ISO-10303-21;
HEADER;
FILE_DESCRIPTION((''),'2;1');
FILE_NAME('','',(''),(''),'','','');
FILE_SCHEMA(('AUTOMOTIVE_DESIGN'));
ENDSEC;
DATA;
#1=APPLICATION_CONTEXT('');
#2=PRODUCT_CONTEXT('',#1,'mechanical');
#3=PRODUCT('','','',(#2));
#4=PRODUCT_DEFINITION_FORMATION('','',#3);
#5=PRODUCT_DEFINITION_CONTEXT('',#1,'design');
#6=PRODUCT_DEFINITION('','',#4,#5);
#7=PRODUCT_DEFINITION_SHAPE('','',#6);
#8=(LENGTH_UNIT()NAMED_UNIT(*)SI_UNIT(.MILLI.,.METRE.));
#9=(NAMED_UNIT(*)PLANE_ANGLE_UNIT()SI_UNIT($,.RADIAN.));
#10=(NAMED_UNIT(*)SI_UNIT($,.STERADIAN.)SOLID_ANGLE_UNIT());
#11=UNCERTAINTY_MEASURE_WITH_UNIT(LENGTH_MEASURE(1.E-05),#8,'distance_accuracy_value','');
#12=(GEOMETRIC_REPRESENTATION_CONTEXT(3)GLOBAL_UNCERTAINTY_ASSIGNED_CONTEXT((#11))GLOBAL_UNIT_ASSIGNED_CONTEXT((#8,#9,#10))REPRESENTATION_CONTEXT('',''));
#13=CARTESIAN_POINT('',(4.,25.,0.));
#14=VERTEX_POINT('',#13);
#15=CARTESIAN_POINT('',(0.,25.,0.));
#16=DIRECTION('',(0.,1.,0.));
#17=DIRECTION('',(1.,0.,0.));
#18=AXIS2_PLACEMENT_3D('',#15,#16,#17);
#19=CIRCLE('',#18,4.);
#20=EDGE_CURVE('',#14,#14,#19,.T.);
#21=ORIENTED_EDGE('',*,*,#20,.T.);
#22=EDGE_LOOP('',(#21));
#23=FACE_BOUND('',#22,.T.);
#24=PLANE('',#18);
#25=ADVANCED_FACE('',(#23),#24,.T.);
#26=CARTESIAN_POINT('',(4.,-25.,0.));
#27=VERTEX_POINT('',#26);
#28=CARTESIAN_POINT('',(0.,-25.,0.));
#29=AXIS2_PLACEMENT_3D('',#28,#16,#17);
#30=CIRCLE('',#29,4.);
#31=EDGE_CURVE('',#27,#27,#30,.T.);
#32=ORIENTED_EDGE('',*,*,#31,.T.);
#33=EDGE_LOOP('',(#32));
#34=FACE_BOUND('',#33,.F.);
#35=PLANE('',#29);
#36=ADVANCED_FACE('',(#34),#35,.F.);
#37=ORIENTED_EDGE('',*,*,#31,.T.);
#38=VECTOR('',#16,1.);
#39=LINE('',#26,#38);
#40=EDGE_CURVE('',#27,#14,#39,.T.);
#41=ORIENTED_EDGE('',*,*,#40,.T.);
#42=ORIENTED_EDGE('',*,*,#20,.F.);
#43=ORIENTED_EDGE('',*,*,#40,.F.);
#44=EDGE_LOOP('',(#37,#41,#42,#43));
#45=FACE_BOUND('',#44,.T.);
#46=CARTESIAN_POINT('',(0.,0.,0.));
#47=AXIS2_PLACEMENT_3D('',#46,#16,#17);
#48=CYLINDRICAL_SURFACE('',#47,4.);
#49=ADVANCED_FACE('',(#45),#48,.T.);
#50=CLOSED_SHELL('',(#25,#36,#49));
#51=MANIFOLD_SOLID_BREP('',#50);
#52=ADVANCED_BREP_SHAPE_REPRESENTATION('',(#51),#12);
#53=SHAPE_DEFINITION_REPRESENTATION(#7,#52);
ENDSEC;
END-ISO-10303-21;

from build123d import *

# Parameters (mm, degrees)
SKETCH1_R           = 4
BOSS_EXTRUDE1_DEPTH = 25


with BuildPart() as part:
    # Sketch1 → Boss-Extrude1 (new body, symmetric)
    with BuildSketch(Plane(origin=(0, 0, 0), x_dir=(1, 0, 0), z_dir=(0, 1, 0))):
        Circle(SKETCH1_R)
    extrude(amount=BOSS_EXTRUDE1_DEPTH, both=True)


solid = part.part
